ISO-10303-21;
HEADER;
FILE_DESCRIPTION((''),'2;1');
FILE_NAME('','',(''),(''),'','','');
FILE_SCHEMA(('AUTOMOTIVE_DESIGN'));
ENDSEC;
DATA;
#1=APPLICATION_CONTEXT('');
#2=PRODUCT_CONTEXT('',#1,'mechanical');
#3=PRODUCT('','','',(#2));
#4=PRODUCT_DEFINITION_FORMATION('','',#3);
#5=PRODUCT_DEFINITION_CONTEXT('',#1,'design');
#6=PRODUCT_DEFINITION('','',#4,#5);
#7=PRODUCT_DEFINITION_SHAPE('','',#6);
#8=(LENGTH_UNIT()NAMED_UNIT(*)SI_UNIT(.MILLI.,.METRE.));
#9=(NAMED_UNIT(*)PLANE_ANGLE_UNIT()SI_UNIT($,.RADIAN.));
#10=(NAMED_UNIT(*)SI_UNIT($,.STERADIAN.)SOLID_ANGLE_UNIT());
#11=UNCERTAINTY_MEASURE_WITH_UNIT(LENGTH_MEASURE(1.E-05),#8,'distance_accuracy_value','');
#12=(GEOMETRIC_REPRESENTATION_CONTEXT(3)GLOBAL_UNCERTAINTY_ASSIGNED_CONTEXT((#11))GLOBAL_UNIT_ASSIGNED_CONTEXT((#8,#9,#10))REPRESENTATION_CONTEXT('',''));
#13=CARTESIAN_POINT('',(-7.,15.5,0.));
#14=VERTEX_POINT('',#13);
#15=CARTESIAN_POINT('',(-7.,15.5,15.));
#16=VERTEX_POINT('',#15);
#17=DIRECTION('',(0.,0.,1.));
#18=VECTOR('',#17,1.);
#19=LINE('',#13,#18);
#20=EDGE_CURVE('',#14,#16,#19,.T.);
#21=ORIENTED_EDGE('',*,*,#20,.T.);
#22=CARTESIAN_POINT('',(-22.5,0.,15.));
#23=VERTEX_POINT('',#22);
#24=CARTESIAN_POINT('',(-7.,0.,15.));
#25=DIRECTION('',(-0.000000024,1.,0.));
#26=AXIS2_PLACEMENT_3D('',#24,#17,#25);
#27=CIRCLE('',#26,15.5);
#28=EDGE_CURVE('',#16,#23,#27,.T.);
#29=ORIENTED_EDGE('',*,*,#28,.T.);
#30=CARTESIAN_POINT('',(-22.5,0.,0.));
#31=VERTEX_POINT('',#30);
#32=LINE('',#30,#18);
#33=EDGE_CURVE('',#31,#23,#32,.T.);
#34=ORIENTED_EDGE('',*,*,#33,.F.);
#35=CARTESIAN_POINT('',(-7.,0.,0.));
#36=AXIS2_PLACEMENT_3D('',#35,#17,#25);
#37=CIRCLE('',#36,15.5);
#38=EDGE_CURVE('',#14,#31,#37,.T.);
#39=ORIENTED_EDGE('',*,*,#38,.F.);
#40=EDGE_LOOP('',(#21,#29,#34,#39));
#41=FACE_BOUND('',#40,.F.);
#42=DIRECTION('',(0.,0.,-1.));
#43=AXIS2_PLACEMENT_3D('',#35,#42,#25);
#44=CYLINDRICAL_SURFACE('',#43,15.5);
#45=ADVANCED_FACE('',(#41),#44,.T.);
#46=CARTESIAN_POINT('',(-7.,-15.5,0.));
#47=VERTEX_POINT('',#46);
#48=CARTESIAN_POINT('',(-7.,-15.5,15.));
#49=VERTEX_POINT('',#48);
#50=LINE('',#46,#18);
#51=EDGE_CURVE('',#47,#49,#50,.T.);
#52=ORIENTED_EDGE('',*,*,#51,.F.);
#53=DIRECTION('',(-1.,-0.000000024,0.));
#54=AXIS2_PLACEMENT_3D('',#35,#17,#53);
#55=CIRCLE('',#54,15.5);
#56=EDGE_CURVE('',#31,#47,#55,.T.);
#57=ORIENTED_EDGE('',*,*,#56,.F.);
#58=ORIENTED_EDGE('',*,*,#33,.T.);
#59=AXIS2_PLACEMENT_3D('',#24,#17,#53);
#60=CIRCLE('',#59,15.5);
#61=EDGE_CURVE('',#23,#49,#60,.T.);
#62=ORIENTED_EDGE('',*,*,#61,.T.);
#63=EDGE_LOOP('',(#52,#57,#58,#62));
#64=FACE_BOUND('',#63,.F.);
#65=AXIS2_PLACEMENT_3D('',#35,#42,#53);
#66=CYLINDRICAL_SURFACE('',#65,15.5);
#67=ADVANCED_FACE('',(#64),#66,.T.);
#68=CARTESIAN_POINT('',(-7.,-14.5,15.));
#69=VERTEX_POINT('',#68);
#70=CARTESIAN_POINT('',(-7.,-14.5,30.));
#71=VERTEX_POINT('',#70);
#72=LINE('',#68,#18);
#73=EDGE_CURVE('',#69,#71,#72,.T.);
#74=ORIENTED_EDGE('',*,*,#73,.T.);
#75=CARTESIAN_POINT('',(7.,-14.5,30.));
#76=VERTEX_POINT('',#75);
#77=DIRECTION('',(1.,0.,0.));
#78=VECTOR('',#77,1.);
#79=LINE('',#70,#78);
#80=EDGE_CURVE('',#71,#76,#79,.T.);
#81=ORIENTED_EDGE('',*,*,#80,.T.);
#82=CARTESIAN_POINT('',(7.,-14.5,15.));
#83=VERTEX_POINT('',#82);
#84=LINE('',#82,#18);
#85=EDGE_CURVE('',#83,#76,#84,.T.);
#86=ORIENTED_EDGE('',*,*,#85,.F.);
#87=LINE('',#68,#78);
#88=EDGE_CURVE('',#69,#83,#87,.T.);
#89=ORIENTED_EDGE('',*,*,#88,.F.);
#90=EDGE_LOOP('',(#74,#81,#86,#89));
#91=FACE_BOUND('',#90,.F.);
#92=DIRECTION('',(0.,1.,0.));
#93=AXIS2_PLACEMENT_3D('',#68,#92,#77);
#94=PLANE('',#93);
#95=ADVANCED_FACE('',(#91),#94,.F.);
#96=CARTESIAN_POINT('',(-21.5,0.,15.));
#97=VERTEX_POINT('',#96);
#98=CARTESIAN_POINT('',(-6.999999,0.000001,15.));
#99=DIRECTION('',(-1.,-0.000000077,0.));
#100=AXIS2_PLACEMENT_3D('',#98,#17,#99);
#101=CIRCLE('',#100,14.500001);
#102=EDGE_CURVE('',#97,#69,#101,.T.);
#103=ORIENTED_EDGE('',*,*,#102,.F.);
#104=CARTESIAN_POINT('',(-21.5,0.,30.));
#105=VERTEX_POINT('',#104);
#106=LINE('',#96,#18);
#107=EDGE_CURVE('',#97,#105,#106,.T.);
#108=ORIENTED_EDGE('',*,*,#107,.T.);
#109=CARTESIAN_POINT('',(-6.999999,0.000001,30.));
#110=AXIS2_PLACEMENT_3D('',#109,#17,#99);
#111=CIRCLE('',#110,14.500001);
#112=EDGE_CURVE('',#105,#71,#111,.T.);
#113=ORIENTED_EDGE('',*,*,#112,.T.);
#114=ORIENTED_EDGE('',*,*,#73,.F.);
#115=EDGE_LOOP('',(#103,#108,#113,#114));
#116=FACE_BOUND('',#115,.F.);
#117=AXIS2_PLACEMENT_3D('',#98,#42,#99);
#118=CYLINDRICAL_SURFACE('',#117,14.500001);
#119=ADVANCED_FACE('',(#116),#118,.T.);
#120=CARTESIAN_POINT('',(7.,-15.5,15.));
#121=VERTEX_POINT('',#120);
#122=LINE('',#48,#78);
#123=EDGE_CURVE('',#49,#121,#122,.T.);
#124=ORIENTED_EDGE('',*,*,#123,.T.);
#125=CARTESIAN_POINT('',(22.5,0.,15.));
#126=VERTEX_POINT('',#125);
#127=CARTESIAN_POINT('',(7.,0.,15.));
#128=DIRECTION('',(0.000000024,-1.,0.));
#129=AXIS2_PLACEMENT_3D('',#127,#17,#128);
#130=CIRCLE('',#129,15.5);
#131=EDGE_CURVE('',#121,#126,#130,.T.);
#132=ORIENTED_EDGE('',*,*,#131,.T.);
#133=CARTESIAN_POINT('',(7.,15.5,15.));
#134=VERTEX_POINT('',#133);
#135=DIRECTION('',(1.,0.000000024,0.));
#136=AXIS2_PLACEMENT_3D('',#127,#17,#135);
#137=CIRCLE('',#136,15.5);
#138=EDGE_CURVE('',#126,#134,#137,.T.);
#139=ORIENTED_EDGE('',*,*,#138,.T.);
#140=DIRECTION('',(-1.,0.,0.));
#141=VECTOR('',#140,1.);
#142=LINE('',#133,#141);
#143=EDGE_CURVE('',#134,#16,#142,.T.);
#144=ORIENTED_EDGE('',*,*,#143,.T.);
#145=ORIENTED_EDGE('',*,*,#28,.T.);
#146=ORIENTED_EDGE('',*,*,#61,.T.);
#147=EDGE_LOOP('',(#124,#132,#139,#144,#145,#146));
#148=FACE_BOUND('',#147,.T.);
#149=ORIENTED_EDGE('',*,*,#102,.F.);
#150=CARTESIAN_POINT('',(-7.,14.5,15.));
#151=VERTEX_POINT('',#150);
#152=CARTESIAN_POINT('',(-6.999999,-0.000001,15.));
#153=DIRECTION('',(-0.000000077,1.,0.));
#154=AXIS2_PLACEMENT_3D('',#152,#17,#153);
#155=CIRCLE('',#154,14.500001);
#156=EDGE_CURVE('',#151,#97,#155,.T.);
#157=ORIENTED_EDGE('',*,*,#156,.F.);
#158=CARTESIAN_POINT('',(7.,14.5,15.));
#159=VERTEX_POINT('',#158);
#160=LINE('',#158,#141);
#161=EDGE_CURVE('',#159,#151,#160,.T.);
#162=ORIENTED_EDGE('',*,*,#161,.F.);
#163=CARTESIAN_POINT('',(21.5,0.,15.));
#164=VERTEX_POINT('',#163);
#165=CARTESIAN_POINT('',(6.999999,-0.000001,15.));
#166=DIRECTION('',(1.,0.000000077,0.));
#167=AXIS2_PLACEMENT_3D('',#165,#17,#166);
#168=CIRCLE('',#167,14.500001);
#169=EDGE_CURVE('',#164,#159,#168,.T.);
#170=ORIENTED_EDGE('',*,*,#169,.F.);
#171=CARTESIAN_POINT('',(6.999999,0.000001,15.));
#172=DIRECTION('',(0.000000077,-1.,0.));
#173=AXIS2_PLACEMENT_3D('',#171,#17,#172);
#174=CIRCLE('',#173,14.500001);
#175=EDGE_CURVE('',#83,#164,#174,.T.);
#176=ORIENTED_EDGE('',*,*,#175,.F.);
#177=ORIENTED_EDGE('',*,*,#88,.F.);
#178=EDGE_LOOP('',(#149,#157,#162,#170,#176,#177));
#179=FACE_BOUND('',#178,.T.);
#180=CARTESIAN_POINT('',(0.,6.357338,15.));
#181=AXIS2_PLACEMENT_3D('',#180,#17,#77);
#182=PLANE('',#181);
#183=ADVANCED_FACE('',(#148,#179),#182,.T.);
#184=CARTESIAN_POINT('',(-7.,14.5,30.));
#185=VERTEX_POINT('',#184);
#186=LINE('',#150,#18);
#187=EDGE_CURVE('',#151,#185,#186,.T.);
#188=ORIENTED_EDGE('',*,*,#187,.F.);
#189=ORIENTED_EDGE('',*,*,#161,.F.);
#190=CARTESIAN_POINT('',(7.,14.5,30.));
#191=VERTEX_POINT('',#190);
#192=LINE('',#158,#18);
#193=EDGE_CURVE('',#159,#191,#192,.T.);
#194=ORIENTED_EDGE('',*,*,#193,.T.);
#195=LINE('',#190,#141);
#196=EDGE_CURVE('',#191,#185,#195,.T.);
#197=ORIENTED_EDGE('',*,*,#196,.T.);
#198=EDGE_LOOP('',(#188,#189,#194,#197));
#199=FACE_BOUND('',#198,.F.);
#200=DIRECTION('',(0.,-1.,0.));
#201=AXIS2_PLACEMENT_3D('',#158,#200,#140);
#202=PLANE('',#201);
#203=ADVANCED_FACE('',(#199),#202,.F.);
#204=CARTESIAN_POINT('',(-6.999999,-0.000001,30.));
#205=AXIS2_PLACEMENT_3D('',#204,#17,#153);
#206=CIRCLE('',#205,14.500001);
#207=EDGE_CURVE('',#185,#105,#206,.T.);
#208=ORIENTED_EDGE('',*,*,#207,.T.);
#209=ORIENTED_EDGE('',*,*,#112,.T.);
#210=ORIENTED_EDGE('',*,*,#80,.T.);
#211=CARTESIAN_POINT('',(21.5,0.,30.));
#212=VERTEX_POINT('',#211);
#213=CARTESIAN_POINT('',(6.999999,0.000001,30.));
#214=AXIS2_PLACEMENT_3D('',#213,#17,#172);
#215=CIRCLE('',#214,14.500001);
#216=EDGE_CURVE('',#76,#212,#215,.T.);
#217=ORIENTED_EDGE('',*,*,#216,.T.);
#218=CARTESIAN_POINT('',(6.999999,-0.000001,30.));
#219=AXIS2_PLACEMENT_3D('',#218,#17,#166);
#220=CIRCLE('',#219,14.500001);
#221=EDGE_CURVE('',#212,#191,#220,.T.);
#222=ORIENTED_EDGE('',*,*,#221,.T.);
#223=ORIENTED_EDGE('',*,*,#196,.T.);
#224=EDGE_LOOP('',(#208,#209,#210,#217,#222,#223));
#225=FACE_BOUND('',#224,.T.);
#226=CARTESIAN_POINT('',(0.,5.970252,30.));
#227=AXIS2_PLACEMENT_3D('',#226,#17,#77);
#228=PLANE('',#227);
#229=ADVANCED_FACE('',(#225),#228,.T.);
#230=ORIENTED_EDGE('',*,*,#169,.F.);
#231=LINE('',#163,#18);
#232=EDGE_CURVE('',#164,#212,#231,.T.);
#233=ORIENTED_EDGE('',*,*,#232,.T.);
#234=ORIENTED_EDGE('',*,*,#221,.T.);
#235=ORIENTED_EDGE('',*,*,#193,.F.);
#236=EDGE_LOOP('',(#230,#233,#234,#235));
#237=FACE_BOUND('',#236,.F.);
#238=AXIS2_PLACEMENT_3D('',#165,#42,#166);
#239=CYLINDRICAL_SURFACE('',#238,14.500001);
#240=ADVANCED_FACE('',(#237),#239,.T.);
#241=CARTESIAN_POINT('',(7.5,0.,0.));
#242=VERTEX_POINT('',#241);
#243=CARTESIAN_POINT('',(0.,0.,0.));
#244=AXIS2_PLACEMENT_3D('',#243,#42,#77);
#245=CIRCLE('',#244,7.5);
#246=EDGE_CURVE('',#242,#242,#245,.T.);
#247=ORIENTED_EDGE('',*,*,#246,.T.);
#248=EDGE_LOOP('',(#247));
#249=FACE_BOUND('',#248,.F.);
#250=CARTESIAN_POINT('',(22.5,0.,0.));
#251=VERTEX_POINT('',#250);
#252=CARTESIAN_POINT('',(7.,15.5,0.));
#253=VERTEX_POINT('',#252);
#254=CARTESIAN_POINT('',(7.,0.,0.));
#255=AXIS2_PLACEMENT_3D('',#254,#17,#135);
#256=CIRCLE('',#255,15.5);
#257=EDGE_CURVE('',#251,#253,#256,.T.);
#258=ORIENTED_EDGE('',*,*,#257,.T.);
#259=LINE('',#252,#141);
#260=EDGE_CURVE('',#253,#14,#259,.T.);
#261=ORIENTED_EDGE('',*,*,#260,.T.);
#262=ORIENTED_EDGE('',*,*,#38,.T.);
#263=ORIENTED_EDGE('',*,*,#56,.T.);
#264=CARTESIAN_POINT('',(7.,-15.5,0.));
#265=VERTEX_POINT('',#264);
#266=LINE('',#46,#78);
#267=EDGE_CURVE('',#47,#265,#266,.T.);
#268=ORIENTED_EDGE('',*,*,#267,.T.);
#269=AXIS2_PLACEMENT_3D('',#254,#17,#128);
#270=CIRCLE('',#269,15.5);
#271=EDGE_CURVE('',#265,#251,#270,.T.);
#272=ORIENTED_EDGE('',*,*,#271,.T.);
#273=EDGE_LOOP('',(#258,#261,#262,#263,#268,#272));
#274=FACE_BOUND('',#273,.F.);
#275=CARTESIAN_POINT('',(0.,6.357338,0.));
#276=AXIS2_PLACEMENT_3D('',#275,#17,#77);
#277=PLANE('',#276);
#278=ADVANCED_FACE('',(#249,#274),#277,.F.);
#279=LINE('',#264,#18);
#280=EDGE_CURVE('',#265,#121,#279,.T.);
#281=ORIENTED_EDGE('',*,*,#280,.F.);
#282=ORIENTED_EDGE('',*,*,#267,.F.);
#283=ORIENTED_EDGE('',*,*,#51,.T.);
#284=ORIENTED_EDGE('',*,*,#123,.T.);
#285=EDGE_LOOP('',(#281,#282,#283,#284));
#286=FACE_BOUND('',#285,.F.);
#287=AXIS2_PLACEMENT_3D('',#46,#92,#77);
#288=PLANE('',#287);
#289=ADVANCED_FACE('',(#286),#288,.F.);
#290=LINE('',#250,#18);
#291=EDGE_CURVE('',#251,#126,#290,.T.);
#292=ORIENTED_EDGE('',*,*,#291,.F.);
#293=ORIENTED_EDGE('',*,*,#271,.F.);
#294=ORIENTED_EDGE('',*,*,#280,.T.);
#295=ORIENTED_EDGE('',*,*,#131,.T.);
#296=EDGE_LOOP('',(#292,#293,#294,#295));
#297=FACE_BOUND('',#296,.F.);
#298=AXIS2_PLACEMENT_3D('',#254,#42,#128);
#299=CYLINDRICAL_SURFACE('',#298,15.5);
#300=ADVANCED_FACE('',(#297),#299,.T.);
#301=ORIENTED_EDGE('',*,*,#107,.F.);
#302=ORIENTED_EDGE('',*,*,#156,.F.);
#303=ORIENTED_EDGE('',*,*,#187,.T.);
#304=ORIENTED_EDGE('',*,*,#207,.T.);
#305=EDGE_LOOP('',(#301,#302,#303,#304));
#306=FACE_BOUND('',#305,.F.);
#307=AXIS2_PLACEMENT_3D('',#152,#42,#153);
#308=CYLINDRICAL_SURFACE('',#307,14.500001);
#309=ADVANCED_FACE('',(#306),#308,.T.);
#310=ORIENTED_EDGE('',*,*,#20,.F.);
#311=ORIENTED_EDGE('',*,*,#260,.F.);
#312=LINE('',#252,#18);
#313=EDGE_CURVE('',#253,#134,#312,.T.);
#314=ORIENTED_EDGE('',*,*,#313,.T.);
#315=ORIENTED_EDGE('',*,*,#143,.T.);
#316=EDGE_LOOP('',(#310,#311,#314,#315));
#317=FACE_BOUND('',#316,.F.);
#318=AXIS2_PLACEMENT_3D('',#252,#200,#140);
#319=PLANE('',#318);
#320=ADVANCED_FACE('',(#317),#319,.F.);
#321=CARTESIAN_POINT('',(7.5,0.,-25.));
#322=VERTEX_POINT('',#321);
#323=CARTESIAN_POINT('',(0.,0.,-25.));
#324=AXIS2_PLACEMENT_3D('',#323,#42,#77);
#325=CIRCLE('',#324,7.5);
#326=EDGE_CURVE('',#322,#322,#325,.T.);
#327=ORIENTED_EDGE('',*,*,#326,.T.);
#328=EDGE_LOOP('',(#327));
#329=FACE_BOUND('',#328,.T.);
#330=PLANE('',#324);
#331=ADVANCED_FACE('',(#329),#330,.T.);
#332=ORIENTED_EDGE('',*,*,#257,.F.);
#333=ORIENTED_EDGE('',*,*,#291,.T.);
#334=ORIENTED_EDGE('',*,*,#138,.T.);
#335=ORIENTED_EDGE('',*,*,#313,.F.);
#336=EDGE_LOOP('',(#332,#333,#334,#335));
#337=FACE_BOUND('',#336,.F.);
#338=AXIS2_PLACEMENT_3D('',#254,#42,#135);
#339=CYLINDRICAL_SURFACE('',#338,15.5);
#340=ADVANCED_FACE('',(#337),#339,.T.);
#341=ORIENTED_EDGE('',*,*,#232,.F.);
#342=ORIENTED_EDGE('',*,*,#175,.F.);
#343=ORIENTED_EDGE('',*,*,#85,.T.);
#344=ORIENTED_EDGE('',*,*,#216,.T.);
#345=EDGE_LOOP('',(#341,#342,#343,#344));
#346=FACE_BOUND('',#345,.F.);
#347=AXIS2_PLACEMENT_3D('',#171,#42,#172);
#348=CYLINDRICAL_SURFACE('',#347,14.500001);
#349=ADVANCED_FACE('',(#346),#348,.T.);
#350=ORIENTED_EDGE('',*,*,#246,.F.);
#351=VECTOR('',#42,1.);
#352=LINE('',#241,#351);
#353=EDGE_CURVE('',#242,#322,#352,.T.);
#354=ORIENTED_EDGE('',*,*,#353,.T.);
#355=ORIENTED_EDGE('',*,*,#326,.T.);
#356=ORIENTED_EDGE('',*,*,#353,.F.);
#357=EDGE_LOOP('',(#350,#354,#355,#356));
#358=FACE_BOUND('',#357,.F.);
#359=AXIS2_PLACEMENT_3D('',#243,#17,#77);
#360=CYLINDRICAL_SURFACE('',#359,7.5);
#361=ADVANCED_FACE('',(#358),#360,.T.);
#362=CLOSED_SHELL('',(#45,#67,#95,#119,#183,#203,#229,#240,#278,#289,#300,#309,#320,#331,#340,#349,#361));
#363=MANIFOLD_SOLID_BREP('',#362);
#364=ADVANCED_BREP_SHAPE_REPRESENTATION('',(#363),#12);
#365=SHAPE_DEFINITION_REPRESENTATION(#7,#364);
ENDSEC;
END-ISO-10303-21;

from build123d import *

# Parameters (mm, degrees)
F1_DEPTH = 15
F3_DEPTH = 15
F4_R     = 7.5
F5_DEPTH = 25


with BuildPart() as f1:
    # F0 (on Top) → F1 (new body)
    with BuildSketch(Plane.XY):
        with BuildLine():
            ThreePointArc((22.5, 0), (17.960155, 10.960155), (7, 15.5))
            Line((7, 15.5), (-7, 15.5))
            ThreePointArc((-7, 15.5), (-17.960155, 10.960155), (-22.5, 0))
            Line((-22.5, 0), (-7, 0))
            Line((-7, 0), (0, 0))
            Line((0, 0), (7, 0))
            Line((7, 0), (22.5, 0))
        make_face()
        with BuildLine():
            ThreePointArc((7, -15.5), (17.960155, -10.960155), (22.5, 0))
            Line((22.5, 0), (7, 0))
            Line((7, 0), (0, 0))
            Line((0, 0), (-7, 0))
            Line((-7, 0), (-22.5, 0))
            ThreePointArc((-22.5, 0), (-17.960155, -10.960155), (-7, -15.5))
            Line((-7, -15.5), (7, -15.5))
        make_face()
    extrude(amount=F1_DEPTH)

    # F2 (on face) → F3 (join)
    with BuildSketch(Plane.XY.offset(15)):
        with BuildLine():
            ThreePointArc((21.5, 0), (17.253048, 10.253048), (7, 14.5))
            Line((7, 14.5), (-7, 14.5))
            ThreePointArc((-7, 14.5), (-17.253048, 10.253048), (-21.5, 0))
            Line((-21.5, 0), (-7, 0))
            Line((-7, 0), (0, 0))
            Line((0, 0), (7, 0))
            Line((7, 0), (21.5, 0))
        make_face()
        with BuildLine():
            ThreePointArc((7, -14.5), (17.253048, -10.253048), (21.5, 0))
            Line((21.5, 0), (7, 0))
            Line((7, 0), (0, 0))
            Line((0, 0), (-7, 0))
            Line((-7, 0), (-21.5, 0))
            ThreePointArc((-21.5, 0), (-17.253048, -10.253048), (-7, -14.5))
            Line((-7, -14.5), (7, -14.5))
        make_face()
    extrude(amount=F3_DEPTH)

    # F4 (on face) → F5 (join)
    with BuildSketch(Plane(origin=(0, 0, 0), x_dir=(1, 0, 0), z_dir=(0, 0, -1))):
        Circle(F4_R)
    extrude(amount=F5_DEPTH)


solid = f1.part
